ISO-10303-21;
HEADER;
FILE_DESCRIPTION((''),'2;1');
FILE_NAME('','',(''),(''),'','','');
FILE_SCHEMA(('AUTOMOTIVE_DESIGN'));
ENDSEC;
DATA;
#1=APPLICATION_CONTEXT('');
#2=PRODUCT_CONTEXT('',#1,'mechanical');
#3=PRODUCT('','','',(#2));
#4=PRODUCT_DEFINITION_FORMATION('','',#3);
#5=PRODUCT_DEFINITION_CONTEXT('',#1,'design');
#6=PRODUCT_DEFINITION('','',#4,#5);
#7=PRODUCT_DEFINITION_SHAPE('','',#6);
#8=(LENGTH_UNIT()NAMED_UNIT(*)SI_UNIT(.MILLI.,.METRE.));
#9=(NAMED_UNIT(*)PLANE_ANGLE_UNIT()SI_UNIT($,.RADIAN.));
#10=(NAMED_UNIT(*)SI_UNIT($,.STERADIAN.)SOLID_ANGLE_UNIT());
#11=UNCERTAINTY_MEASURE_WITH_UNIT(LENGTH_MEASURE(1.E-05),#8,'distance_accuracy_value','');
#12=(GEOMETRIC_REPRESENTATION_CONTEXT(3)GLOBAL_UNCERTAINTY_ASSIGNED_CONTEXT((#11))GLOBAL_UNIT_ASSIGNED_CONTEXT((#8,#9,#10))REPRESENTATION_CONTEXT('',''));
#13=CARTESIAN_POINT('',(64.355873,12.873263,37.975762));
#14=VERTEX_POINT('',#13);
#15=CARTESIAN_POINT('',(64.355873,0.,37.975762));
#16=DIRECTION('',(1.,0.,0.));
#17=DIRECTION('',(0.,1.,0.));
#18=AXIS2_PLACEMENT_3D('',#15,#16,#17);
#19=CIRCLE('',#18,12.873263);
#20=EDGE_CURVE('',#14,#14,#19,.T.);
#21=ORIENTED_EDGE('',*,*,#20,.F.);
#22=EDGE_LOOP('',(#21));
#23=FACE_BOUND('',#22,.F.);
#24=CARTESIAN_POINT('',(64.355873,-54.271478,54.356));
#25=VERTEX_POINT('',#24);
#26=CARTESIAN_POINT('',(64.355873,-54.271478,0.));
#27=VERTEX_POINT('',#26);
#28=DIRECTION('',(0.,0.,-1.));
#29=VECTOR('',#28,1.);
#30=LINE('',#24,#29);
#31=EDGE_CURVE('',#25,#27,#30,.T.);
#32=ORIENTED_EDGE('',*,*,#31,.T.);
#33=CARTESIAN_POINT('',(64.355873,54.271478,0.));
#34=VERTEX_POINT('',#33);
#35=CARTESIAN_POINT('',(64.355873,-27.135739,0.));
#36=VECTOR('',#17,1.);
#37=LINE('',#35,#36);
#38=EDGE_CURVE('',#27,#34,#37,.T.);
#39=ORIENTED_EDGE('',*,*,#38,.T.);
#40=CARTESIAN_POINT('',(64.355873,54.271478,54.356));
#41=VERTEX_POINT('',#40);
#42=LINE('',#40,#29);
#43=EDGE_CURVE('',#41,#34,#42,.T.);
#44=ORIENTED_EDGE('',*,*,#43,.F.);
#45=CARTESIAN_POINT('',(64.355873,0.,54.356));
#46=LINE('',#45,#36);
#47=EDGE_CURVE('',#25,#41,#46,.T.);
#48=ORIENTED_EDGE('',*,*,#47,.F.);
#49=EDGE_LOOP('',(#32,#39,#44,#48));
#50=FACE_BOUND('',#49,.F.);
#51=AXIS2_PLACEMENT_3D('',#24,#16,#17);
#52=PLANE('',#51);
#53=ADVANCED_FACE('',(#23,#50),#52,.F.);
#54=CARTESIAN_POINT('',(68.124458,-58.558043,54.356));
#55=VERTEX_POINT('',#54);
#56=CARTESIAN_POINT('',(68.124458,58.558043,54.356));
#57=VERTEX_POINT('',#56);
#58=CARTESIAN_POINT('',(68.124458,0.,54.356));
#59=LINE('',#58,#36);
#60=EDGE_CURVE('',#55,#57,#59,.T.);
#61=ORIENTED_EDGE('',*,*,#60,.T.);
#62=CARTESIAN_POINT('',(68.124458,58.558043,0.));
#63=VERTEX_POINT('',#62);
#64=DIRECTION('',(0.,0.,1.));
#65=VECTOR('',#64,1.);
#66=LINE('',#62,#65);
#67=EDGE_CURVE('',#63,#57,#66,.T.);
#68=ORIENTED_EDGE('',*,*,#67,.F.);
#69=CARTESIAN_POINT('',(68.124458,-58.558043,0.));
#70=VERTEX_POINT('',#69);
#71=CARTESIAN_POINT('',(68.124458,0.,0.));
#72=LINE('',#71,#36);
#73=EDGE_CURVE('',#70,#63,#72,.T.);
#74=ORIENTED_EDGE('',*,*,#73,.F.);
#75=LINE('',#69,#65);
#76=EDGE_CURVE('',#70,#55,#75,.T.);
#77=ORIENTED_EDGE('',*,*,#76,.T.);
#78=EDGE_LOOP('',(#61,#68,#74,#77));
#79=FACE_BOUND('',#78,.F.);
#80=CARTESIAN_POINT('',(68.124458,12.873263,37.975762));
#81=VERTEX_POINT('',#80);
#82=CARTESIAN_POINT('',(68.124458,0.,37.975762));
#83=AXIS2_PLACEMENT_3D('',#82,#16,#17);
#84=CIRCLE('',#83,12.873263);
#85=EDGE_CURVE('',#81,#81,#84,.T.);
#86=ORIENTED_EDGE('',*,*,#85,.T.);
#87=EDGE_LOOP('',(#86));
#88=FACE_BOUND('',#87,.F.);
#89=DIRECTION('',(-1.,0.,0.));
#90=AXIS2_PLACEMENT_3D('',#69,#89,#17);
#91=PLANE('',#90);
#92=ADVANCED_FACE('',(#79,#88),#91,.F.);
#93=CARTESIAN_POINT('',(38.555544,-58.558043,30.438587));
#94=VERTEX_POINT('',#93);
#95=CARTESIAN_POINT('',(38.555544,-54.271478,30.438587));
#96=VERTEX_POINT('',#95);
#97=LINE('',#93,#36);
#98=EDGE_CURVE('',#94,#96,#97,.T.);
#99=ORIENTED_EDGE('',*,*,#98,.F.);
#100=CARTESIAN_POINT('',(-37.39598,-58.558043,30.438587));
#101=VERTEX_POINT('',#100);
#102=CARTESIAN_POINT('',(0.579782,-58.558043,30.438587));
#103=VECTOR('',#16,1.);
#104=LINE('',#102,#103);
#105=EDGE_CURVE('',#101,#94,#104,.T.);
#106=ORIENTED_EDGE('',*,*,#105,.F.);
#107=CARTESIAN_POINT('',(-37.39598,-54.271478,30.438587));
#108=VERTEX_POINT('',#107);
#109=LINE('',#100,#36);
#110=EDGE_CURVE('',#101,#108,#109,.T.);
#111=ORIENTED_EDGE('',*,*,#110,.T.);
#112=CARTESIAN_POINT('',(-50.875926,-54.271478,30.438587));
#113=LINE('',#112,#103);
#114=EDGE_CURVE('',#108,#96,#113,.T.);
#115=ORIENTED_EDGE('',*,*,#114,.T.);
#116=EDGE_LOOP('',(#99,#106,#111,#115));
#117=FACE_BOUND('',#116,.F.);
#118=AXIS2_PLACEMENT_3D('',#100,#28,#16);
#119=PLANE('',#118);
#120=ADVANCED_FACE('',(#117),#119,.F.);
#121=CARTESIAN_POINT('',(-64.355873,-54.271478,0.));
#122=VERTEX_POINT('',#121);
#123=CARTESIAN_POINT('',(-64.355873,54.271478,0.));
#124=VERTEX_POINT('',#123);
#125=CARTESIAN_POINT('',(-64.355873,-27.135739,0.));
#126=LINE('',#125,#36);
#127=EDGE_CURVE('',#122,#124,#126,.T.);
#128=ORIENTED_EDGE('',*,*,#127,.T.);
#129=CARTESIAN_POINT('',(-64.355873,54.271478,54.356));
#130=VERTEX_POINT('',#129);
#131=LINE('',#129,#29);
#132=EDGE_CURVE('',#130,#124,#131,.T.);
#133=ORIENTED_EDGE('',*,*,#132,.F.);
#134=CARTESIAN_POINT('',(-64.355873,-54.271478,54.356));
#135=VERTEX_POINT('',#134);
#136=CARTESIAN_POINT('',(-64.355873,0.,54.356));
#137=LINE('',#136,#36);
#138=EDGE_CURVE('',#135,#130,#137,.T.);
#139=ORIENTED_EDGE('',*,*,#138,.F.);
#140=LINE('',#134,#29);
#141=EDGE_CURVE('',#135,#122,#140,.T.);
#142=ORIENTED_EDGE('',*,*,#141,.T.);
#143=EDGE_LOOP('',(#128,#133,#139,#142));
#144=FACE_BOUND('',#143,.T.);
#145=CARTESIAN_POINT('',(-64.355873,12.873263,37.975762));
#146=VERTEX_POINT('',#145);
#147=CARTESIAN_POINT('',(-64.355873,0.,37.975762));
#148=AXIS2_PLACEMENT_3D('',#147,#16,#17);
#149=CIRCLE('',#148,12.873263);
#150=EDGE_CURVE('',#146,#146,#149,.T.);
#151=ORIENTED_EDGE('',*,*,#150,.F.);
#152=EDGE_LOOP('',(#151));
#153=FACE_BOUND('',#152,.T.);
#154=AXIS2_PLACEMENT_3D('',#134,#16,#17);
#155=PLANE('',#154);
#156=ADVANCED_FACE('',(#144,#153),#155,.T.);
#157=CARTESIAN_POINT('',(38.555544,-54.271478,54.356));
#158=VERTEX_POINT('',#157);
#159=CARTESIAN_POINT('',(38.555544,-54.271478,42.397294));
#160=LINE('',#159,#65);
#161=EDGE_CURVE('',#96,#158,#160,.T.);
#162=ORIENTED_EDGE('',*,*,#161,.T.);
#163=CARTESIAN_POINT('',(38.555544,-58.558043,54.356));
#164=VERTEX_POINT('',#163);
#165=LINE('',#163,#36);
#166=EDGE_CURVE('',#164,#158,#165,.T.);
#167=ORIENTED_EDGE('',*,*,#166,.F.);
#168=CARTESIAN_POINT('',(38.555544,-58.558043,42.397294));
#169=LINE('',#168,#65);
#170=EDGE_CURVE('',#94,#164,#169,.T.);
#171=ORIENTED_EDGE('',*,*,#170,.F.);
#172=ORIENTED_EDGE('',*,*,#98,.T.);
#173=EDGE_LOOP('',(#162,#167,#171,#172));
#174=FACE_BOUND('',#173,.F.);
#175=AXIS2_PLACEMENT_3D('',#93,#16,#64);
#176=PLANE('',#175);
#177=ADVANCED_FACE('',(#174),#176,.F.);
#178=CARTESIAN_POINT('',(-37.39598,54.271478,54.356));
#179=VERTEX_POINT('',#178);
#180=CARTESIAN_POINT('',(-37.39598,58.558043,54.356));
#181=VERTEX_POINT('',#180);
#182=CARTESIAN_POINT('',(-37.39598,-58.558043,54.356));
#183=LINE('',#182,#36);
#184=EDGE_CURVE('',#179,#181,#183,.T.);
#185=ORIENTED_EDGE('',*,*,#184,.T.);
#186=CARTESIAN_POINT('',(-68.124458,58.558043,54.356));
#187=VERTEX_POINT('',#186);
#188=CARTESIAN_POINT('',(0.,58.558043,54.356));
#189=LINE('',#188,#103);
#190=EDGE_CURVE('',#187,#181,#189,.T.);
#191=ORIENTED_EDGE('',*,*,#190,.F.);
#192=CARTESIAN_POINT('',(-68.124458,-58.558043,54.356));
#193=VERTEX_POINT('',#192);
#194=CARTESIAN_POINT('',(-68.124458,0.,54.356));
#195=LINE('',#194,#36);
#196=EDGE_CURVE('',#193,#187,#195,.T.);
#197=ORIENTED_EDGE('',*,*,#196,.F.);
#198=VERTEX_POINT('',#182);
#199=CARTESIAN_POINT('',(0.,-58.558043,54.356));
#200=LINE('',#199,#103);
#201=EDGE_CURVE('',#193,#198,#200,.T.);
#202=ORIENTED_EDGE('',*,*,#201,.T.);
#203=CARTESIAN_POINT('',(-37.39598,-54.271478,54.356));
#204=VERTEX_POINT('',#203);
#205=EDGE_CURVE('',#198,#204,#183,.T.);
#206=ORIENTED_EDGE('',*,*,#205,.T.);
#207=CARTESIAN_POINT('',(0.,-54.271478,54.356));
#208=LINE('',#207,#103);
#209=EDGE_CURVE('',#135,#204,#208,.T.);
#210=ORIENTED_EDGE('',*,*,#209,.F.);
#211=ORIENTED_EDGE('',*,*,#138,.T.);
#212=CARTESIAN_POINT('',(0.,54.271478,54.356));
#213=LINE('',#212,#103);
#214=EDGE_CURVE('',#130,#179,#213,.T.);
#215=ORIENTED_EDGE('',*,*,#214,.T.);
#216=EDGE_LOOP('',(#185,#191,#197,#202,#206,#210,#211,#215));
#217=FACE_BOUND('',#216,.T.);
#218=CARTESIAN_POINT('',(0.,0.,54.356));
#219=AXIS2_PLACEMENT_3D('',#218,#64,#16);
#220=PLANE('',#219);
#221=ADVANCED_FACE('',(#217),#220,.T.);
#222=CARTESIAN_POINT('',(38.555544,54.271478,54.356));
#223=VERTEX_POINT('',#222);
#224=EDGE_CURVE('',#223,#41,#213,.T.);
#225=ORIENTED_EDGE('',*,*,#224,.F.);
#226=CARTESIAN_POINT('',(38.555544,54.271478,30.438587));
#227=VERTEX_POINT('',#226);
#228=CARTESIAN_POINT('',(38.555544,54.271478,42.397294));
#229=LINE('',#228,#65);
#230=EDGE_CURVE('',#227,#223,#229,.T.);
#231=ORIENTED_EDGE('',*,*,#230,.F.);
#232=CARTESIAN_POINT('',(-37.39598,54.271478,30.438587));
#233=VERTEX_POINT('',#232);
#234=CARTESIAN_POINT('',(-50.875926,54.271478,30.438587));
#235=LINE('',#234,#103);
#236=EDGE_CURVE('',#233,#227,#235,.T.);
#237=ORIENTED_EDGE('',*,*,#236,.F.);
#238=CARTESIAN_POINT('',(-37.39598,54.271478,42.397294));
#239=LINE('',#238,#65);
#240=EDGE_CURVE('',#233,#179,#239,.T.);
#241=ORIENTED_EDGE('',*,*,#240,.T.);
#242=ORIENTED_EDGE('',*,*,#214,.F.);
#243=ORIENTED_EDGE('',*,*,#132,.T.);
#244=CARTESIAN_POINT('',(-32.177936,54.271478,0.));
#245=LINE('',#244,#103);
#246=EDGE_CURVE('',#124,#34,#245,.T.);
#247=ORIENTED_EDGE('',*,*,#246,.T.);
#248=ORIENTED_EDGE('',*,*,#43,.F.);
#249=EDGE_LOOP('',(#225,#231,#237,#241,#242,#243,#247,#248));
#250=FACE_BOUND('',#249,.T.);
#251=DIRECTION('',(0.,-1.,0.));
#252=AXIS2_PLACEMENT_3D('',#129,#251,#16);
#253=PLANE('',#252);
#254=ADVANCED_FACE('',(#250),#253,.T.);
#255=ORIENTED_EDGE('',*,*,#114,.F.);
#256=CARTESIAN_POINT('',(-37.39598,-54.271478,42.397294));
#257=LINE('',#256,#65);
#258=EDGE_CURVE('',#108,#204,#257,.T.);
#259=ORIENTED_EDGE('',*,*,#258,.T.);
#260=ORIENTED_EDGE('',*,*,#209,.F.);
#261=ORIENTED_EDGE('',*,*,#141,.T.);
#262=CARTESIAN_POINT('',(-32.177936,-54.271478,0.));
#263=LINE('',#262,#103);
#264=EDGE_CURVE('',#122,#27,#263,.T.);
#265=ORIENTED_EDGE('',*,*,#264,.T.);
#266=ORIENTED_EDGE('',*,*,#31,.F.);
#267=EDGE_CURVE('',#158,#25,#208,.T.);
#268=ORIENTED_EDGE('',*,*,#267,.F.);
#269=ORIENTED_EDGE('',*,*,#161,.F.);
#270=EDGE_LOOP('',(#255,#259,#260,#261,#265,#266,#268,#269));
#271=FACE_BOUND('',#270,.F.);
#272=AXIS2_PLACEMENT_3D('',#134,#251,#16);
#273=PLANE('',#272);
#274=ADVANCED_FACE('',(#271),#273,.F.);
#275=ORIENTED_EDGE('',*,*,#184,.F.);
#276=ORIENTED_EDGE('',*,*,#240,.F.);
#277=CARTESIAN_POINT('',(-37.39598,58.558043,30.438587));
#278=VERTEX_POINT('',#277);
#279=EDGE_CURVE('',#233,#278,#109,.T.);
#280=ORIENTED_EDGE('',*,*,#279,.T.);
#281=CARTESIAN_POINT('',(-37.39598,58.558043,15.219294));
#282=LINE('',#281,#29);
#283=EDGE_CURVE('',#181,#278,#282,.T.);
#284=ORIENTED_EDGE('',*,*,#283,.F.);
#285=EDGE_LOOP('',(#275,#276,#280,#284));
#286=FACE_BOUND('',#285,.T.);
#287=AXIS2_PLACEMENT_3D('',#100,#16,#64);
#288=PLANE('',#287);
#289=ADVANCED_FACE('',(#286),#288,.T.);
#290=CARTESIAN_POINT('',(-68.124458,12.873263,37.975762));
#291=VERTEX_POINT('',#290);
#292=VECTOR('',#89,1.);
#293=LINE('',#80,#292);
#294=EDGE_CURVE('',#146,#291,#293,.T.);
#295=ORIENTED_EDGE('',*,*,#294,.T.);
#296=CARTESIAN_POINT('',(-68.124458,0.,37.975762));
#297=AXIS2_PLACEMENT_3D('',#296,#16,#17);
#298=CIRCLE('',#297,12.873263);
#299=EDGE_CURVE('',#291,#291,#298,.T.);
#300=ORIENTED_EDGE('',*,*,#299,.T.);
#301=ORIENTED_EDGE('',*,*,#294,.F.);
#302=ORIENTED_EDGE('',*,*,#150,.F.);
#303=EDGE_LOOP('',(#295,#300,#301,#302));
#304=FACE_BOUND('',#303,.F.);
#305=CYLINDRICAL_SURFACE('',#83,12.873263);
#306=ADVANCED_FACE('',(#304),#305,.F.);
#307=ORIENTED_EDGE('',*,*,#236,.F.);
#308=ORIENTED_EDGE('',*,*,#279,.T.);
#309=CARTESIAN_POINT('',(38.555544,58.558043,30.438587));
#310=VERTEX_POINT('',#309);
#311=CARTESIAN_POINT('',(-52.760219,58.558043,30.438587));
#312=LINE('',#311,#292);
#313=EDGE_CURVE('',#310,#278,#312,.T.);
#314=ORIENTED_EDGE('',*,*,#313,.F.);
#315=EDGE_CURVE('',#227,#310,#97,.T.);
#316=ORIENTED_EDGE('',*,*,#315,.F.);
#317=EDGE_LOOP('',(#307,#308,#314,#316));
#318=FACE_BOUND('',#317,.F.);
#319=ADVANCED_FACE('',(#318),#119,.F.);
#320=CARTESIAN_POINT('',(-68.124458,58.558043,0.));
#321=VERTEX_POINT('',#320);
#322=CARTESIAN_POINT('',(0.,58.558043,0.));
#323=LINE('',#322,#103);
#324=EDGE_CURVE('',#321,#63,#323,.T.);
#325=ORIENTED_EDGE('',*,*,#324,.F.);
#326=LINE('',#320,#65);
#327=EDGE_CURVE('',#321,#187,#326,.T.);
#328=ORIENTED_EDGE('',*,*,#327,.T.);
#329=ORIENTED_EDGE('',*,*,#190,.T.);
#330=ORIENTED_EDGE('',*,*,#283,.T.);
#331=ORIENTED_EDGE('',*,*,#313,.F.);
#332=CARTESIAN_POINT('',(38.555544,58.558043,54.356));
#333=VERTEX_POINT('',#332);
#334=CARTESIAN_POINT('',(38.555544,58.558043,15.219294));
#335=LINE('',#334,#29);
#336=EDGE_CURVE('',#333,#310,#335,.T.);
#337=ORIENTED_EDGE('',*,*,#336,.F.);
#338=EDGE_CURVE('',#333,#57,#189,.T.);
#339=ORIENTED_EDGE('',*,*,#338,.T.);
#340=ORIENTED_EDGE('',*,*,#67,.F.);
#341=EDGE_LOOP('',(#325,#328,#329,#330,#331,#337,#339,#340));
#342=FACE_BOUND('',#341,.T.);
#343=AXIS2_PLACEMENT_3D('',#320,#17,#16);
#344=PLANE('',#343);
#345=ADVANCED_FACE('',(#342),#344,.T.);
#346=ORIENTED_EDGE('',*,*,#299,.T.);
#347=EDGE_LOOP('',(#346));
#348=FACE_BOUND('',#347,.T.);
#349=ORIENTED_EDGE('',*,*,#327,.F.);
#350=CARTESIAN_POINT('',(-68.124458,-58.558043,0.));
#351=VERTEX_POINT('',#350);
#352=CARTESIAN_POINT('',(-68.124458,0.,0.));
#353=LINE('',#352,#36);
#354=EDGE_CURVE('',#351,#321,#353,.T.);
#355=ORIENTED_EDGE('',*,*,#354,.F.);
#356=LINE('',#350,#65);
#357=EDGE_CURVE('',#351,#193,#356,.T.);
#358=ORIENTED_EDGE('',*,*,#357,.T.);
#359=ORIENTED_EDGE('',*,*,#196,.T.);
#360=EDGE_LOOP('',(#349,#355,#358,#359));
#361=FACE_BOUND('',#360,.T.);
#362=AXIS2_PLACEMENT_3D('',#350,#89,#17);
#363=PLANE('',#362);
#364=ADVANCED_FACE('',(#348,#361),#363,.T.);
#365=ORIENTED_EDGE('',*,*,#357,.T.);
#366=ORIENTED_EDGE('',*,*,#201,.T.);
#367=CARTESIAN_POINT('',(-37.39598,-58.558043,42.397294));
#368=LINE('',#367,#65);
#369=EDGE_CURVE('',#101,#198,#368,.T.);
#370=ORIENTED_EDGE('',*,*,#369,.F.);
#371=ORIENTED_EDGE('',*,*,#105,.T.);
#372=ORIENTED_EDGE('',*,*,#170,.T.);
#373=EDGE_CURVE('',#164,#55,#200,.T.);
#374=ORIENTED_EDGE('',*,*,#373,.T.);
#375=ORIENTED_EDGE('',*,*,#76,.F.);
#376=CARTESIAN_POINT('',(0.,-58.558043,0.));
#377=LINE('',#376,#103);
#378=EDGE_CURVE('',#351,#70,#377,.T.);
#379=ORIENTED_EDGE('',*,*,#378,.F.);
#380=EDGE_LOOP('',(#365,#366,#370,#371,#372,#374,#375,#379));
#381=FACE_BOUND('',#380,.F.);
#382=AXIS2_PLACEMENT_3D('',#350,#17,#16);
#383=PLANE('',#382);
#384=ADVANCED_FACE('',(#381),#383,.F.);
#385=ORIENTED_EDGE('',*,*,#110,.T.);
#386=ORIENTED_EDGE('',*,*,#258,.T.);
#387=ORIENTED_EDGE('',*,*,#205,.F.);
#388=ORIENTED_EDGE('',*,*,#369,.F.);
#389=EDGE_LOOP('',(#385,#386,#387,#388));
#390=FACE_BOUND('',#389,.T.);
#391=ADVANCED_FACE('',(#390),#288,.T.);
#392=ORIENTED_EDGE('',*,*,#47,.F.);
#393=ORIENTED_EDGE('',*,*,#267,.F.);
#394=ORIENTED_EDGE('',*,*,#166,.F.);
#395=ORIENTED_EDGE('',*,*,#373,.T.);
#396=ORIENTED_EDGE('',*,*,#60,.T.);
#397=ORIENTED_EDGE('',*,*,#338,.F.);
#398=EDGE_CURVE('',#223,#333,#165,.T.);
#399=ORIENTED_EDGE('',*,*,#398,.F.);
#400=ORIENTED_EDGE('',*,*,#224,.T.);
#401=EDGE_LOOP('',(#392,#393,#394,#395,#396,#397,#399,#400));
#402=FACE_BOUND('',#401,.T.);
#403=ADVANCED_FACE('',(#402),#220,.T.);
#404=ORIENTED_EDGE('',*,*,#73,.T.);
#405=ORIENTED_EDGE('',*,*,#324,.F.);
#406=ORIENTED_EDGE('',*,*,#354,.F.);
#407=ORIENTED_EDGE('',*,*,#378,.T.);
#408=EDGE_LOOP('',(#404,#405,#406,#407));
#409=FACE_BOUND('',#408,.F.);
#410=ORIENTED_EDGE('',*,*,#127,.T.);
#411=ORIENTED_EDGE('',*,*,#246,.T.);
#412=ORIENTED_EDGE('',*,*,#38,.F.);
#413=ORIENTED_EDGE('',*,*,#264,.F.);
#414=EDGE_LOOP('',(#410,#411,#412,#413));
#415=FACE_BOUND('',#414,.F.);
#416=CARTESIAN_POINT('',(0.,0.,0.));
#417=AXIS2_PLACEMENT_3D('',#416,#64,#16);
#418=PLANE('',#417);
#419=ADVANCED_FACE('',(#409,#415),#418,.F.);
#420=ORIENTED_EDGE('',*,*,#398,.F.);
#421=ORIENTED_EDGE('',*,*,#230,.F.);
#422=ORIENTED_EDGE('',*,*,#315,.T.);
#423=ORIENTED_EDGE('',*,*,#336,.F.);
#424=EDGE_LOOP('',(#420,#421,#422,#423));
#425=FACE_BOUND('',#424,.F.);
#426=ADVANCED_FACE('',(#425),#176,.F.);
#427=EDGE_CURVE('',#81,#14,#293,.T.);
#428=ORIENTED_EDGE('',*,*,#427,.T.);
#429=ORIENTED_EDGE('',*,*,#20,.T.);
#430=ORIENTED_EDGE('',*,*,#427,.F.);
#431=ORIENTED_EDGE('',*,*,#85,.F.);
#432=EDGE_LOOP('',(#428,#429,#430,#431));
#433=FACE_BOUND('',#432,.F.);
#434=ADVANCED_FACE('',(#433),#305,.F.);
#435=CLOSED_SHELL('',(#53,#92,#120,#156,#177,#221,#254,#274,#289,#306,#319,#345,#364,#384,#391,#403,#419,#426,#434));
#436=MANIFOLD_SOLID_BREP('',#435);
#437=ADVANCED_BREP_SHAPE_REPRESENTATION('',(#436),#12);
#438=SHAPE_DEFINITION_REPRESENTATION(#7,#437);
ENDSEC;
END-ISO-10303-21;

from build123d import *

# Parameters (mm, degrees)
F0_W     = 136.2489163876
F0_H     = 117.116086185
F1_DEPTH = 54.356
F2_W     = 128.7117451429
F2_H     = 108.5429564118
F3_DEPTH = 54.357
F4_R     = 12.8732628807
F5_DEPTH = 136.2499163876
F6_W     = 75.9515240788
F6_H     = 23.9174129305
F7_DEPTH = 117.117086185


with BuildPart() as f1:
    # F0 (on Top) → F1 (new body)
    with BuildSketch(Plane.XY):
        Rectangle(F0_W, F0_H)
    extrude(amount=F1_DEPTH)

    # F2 (on face) → F3 (cut, through all)
    with BuildSketch(Plane.XY.offset(54.356)):
        Rectangle(F2_W, F2_H)
    extrude(amount=-F3_DEPTH, mode=Mode.SUBTRACT)

    # F4 (on face) → F5 (cut, through all)
    with BuildSketch(Plane.YZ.offset(68.1244581938)):
        with Locations((0, 37.9757620394)):
            Circle(F4_R)
    extrude(amount=-F5_DEPTH, mode=Mode.SUBTRACT)

    # F6 (on face) → F7 (cut, through all)
    with BuildSketch(Plane.XZ.offset(58.5580430925)):
        with Locations((0.5797818303, 42.3972935348)):
            Rectangle(F6_W, F6_H)
    extrude(amount=-F7_DEPTH, mode=Mode.SUBTRACT)


solid = f1.part
